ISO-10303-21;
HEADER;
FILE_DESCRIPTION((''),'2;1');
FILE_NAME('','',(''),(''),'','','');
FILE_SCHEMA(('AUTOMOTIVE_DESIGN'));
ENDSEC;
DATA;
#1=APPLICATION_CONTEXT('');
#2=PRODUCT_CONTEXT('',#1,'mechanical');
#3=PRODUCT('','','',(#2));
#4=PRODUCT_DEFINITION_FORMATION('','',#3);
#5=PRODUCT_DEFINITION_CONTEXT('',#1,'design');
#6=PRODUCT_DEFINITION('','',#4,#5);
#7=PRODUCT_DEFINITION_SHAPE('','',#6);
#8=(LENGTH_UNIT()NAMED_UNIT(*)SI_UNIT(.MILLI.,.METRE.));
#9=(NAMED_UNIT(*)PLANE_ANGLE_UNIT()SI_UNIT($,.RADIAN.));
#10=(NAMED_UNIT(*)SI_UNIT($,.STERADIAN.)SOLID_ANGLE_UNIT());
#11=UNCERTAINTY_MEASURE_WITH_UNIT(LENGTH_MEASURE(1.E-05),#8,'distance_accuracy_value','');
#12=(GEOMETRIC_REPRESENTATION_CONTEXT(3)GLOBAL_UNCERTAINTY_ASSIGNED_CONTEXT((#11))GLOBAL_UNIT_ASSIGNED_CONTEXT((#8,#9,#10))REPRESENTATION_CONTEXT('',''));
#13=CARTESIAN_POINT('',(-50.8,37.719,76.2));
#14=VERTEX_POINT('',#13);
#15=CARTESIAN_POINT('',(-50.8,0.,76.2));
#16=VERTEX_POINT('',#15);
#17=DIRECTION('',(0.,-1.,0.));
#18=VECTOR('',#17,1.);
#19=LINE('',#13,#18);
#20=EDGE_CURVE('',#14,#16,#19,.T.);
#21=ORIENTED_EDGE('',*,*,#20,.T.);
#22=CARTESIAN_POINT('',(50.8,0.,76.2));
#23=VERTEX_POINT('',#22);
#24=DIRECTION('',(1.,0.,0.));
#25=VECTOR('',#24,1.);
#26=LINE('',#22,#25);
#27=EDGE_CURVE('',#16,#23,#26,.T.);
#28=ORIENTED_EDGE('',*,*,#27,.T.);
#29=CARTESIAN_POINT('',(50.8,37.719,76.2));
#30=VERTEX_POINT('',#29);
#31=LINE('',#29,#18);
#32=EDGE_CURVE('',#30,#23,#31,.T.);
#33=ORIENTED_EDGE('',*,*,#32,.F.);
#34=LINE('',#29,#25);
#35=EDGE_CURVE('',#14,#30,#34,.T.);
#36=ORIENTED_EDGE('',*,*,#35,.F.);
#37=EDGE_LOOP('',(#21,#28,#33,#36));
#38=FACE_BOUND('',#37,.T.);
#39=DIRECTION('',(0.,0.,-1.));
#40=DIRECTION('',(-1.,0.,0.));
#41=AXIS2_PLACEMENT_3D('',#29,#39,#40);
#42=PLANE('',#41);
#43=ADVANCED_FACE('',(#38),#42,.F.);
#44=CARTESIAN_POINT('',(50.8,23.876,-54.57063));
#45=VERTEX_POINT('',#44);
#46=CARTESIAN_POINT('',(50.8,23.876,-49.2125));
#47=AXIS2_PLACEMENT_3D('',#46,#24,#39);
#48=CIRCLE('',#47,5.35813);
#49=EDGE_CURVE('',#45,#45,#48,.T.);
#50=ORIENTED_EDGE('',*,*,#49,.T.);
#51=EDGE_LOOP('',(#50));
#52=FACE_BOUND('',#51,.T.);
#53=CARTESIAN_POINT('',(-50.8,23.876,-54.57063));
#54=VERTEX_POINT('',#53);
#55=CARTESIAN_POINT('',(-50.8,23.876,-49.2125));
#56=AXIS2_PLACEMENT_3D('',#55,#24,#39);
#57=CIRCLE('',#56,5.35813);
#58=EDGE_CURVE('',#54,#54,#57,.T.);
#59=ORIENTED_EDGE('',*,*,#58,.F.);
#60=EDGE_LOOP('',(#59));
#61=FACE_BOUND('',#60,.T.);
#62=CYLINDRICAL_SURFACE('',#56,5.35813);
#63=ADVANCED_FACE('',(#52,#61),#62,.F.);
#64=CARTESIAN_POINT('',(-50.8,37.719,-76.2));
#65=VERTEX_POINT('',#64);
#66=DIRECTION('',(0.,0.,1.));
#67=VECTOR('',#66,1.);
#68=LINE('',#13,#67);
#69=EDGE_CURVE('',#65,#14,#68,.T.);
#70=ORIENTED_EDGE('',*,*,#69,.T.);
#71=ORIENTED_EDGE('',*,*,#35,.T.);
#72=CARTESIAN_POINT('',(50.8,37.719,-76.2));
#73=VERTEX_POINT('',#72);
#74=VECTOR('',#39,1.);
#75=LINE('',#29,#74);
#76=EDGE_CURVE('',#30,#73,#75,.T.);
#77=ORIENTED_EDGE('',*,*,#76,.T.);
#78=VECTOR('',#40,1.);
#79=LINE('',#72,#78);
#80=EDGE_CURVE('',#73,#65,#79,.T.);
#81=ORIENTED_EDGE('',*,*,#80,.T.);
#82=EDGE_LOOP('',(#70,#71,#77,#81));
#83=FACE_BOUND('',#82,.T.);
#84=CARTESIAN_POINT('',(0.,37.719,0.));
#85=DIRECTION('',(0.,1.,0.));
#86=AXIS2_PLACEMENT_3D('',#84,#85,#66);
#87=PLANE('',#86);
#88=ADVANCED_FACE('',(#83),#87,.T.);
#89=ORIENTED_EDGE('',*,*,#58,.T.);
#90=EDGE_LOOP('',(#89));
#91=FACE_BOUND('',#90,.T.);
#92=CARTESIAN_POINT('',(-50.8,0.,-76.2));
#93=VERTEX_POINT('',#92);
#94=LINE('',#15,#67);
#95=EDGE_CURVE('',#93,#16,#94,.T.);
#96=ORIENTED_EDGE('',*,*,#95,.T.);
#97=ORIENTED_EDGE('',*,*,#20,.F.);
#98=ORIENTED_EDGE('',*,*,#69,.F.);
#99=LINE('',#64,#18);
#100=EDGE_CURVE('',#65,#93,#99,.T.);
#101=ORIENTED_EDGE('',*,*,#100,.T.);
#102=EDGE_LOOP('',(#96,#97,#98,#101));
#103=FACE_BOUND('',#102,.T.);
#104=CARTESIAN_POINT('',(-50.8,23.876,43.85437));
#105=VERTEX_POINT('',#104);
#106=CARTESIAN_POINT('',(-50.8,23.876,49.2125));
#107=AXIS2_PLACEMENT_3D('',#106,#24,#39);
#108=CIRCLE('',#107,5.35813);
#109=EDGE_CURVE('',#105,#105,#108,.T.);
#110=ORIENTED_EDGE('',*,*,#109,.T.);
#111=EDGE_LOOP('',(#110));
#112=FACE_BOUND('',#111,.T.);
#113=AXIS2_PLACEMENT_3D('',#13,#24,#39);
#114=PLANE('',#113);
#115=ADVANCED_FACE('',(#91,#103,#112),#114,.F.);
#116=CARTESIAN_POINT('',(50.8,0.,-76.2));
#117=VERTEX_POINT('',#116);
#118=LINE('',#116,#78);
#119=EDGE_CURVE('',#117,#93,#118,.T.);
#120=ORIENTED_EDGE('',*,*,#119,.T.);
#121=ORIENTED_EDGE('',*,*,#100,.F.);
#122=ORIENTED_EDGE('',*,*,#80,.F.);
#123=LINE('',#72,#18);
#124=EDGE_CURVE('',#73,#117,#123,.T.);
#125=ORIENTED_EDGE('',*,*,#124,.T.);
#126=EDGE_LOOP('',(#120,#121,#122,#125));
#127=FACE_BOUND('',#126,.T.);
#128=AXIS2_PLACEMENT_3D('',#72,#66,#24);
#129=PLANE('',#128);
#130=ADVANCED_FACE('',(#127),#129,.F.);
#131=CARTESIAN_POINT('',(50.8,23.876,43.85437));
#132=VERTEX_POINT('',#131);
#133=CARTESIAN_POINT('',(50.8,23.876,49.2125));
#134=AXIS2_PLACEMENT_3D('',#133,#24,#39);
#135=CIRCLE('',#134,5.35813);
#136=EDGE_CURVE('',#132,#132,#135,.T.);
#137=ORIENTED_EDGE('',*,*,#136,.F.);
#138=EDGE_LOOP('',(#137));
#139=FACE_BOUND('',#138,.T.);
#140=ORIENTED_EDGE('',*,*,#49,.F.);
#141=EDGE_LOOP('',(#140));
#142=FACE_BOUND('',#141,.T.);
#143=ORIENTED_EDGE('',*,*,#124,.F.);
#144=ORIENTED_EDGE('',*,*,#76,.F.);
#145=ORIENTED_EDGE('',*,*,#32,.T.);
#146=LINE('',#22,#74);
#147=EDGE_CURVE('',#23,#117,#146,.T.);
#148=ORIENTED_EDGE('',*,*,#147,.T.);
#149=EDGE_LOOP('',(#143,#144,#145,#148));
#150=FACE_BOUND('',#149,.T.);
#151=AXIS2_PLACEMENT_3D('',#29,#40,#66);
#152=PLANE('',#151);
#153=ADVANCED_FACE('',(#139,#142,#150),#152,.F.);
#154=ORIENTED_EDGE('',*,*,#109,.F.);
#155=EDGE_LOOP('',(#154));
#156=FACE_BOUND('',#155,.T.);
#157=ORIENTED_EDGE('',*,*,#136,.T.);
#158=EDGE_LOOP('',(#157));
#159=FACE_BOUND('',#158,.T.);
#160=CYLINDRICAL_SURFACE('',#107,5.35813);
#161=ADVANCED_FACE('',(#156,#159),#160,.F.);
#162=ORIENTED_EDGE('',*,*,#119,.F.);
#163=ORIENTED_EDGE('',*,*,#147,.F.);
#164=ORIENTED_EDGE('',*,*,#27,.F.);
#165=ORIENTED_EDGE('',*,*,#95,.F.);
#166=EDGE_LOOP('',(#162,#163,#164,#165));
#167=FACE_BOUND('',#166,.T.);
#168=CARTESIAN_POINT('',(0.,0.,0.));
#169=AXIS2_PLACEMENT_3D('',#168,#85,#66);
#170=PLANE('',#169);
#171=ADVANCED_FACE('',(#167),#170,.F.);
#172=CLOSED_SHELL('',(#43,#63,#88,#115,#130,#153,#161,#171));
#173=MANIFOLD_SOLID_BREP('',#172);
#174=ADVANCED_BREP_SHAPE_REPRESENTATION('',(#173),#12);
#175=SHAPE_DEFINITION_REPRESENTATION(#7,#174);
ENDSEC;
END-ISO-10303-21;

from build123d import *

# Parameters (mm, degrees)
SKETCH1_W           = 101.6
SKETCH1_H           = 152.4
BOSS_EXTRUDE1_DEPTH = 37.719
SKETCH2_R           = 5.35813
CUT_EXTRUDE1_DEPTH  = 133.482915733


with BuildPart() as part:
    # Sketch1 → Boss-Extrude1 (new body)
    with BuildSketch(Plane(origin=(0, 0, 0), x_dir=(1, 0, 0), z_dir=(0, 1, 0))):
        Rectangle(SKETCH1_W, SKETCH1_H)
    extrude(amount=BOSS_EXTRUDE1_DEPTH)

    # Sketch2 → Cut-Extrude1 (cut, through all)
    with BuildSketch(Plane(origin=(50.8, 0, 0), x_dir=(0, 0, -1), z_dir=(1, 0, 0))):
        with Locations((-49.2125, 23.876)):
            Circle(SKETCH2_R)
        with Locations((49.2125, 23.876)):
            Circle(SKETCH2_R)
    extrude(amount=-CUT_EXTRUDE1_DEPTH, mode=Mode.SUBTRACT)


solid = part.part
